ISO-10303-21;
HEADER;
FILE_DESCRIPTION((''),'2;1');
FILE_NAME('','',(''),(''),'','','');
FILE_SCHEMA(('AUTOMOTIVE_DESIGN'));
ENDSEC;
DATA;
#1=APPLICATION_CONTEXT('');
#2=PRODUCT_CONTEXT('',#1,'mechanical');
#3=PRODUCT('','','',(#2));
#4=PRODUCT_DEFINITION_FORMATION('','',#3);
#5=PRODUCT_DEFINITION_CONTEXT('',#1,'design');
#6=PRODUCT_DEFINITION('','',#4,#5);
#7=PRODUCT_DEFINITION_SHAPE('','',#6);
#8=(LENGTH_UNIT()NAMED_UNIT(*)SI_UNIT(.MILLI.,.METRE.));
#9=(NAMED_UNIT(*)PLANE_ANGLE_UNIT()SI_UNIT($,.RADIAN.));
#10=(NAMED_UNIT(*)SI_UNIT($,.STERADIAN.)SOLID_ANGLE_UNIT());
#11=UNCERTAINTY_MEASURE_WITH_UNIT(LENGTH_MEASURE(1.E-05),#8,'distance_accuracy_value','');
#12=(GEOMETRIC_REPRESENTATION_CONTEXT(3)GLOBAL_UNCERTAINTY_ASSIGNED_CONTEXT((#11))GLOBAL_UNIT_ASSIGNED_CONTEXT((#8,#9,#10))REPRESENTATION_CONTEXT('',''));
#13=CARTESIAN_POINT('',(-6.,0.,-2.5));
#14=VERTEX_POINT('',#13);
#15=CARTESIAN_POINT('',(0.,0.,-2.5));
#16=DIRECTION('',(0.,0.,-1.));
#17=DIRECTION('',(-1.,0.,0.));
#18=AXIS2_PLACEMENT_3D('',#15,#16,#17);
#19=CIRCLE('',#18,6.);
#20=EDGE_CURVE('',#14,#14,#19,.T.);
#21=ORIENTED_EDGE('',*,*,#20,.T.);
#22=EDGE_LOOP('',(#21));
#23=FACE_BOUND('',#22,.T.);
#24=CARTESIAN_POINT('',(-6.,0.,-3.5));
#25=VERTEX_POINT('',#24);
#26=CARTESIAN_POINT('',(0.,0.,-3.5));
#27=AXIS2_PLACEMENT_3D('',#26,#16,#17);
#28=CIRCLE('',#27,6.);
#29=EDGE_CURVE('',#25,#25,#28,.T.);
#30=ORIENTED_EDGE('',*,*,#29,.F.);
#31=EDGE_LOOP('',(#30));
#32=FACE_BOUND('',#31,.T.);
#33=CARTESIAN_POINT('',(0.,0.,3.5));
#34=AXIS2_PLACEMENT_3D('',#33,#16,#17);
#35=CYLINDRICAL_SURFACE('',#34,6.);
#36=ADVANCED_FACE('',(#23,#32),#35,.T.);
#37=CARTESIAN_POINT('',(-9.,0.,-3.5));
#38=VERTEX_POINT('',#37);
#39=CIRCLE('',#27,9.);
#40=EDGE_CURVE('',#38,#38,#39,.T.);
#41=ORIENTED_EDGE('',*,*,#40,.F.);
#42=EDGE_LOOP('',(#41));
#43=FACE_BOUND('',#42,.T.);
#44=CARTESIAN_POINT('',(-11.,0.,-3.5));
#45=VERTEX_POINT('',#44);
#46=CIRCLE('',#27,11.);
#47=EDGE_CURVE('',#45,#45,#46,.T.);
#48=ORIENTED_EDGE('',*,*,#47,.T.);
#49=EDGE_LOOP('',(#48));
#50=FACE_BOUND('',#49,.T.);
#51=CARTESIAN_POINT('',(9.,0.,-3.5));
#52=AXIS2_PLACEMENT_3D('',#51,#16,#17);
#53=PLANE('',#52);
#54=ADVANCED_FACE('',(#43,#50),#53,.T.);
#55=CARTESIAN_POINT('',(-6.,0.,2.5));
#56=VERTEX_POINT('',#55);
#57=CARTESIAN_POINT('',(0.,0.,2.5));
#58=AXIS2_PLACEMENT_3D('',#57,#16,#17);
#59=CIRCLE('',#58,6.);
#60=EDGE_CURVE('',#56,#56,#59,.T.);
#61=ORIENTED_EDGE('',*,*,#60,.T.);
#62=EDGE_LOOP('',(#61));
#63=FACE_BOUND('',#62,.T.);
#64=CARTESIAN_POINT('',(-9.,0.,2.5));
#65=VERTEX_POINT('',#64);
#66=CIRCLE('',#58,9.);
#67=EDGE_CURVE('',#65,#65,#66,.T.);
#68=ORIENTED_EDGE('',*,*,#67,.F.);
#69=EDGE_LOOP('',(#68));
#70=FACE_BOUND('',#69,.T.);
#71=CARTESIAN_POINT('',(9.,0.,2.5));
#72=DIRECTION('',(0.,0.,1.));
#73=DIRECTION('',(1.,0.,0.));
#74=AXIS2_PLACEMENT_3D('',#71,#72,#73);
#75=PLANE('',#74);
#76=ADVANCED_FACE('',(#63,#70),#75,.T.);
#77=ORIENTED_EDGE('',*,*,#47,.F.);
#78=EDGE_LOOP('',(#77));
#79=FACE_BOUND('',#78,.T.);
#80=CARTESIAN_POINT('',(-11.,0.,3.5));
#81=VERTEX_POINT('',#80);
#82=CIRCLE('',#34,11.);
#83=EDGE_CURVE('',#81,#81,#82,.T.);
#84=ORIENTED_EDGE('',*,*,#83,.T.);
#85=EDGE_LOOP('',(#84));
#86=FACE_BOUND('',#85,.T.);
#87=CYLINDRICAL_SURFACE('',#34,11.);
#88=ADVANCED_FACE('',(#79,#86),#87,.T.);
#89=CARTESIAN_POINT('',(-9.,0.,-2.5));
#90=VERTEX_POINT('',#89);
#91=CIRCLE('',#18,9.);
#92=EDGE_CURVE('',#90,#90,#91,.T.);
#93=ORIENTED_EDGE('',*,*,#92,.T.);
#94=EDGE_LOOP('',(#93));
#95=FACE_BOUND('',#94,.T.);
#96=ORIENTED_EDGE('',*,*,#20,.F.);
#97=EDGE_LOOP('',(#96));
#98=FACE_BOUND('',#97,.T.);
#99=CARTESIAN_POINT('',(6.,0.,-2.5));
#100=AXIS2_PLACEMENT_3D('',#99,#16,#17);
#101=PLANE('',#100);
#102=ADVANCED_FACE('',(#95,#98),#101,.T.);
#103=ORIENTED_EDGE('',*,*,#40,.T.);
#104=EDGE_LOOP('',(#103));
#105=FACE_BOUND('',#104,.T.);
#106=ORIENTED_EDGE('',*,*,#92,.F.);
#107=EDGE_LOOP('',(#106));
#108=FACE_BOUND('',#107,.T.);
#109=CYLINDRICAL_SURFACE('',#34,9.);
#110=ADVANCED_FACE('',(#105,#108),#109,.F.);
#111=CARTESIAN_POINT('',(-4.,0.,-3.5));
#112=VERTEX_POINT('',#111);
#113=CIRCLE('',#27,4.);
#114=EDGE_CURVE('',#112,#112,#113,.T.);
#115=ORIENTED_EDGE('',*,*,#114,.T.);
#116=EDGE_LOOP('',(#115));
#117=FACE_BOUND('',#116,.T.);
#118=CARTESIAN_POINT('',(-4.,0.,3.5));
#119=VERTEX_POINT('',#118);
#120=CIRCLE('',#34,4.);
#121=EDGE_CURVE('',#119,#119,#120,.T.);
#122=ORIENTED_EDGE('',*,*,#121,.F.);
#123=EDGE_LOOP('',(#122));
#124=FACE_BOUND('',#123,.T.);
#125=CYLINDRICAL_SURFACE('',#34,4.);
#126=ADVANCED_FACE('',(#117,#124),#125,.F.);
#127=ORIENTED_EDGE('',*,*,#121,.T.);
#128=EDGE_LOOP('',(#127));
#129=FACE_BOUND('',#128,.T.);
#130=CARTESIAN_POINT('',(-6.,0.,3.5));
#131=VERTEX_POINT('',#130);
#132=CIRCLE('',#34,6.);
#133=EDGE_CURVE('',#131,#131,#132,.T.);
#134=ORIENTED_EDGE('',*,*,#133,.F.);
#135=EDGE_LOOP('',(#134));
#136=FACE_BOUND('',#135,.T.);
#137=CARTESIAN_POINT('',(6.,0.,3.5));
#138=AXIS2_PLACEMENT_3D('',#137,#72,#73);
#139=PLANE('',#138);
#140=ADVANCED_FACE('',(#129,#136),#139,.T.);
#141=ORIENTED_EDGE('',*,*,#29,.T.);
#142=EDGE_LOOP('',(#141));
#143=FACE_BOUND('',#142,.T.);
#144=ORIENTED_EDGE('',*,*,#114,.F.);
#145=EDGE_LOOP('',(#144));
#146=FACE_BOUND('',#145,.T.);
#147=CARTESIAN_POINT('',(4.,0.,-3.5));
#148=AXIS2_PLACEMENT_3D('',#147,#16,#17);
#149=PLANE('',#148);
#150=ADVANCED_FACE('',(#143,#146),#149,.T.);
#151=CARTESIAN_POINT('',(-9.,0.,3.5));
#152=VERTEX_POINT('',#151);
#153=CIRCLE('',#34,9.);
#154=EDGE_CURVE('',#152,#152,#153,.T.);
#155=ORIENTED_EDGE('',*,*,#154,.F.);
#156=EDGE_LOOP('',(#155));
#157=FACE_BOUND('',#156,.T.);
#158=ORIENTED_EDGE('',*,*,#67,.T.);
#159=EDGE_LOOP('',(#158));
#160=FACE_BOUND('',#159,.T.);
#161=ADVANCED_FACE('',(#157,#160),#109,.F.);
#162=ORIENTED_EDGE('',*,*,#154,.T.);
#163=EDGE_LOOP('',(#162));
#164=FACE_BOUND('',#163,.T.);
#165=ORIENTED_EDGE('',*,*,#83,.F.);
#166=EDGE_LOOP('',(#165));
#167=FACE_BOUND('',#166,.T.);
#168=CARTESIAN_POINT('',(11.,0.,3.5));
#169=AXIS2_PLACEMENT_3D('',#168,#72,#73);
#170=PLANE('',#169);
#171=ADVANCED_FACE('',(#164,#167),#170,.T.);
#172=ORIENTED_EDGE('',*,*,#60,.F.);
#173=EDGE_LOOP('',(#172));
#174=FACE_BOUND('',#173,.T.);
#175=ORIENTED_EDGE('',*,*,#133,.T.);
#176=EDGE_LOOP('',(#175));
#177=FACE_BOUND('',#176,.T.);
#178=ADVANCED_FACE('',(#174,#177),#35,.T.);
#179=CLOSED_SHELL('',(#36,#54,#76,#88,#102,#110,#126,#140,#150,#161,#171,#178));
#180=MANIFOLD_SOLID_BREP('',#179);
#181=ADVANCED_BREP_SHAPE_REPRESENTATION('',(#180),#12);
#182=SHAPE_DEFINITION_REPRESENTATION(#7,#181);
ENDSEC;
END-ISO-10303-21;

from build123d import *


with BuildPart() as part:
    # Sketch1 → Revolve1 (revolve)
    with BuildSketch(Plane.XZ):
        Polygon((6, -3.5), (6, -2.5), (9, -2.5), (9, -3.5), (11, -3.5), (11, 3.5), (9, 3.5), (9, 2.5), (6, 2.5), (6, 3.5), (4, 3.5), (4, -3.5), align=None)
    revolve(axis=Axis((0, 0, 3.5), (0, 0, -1)))


solid = part.part
